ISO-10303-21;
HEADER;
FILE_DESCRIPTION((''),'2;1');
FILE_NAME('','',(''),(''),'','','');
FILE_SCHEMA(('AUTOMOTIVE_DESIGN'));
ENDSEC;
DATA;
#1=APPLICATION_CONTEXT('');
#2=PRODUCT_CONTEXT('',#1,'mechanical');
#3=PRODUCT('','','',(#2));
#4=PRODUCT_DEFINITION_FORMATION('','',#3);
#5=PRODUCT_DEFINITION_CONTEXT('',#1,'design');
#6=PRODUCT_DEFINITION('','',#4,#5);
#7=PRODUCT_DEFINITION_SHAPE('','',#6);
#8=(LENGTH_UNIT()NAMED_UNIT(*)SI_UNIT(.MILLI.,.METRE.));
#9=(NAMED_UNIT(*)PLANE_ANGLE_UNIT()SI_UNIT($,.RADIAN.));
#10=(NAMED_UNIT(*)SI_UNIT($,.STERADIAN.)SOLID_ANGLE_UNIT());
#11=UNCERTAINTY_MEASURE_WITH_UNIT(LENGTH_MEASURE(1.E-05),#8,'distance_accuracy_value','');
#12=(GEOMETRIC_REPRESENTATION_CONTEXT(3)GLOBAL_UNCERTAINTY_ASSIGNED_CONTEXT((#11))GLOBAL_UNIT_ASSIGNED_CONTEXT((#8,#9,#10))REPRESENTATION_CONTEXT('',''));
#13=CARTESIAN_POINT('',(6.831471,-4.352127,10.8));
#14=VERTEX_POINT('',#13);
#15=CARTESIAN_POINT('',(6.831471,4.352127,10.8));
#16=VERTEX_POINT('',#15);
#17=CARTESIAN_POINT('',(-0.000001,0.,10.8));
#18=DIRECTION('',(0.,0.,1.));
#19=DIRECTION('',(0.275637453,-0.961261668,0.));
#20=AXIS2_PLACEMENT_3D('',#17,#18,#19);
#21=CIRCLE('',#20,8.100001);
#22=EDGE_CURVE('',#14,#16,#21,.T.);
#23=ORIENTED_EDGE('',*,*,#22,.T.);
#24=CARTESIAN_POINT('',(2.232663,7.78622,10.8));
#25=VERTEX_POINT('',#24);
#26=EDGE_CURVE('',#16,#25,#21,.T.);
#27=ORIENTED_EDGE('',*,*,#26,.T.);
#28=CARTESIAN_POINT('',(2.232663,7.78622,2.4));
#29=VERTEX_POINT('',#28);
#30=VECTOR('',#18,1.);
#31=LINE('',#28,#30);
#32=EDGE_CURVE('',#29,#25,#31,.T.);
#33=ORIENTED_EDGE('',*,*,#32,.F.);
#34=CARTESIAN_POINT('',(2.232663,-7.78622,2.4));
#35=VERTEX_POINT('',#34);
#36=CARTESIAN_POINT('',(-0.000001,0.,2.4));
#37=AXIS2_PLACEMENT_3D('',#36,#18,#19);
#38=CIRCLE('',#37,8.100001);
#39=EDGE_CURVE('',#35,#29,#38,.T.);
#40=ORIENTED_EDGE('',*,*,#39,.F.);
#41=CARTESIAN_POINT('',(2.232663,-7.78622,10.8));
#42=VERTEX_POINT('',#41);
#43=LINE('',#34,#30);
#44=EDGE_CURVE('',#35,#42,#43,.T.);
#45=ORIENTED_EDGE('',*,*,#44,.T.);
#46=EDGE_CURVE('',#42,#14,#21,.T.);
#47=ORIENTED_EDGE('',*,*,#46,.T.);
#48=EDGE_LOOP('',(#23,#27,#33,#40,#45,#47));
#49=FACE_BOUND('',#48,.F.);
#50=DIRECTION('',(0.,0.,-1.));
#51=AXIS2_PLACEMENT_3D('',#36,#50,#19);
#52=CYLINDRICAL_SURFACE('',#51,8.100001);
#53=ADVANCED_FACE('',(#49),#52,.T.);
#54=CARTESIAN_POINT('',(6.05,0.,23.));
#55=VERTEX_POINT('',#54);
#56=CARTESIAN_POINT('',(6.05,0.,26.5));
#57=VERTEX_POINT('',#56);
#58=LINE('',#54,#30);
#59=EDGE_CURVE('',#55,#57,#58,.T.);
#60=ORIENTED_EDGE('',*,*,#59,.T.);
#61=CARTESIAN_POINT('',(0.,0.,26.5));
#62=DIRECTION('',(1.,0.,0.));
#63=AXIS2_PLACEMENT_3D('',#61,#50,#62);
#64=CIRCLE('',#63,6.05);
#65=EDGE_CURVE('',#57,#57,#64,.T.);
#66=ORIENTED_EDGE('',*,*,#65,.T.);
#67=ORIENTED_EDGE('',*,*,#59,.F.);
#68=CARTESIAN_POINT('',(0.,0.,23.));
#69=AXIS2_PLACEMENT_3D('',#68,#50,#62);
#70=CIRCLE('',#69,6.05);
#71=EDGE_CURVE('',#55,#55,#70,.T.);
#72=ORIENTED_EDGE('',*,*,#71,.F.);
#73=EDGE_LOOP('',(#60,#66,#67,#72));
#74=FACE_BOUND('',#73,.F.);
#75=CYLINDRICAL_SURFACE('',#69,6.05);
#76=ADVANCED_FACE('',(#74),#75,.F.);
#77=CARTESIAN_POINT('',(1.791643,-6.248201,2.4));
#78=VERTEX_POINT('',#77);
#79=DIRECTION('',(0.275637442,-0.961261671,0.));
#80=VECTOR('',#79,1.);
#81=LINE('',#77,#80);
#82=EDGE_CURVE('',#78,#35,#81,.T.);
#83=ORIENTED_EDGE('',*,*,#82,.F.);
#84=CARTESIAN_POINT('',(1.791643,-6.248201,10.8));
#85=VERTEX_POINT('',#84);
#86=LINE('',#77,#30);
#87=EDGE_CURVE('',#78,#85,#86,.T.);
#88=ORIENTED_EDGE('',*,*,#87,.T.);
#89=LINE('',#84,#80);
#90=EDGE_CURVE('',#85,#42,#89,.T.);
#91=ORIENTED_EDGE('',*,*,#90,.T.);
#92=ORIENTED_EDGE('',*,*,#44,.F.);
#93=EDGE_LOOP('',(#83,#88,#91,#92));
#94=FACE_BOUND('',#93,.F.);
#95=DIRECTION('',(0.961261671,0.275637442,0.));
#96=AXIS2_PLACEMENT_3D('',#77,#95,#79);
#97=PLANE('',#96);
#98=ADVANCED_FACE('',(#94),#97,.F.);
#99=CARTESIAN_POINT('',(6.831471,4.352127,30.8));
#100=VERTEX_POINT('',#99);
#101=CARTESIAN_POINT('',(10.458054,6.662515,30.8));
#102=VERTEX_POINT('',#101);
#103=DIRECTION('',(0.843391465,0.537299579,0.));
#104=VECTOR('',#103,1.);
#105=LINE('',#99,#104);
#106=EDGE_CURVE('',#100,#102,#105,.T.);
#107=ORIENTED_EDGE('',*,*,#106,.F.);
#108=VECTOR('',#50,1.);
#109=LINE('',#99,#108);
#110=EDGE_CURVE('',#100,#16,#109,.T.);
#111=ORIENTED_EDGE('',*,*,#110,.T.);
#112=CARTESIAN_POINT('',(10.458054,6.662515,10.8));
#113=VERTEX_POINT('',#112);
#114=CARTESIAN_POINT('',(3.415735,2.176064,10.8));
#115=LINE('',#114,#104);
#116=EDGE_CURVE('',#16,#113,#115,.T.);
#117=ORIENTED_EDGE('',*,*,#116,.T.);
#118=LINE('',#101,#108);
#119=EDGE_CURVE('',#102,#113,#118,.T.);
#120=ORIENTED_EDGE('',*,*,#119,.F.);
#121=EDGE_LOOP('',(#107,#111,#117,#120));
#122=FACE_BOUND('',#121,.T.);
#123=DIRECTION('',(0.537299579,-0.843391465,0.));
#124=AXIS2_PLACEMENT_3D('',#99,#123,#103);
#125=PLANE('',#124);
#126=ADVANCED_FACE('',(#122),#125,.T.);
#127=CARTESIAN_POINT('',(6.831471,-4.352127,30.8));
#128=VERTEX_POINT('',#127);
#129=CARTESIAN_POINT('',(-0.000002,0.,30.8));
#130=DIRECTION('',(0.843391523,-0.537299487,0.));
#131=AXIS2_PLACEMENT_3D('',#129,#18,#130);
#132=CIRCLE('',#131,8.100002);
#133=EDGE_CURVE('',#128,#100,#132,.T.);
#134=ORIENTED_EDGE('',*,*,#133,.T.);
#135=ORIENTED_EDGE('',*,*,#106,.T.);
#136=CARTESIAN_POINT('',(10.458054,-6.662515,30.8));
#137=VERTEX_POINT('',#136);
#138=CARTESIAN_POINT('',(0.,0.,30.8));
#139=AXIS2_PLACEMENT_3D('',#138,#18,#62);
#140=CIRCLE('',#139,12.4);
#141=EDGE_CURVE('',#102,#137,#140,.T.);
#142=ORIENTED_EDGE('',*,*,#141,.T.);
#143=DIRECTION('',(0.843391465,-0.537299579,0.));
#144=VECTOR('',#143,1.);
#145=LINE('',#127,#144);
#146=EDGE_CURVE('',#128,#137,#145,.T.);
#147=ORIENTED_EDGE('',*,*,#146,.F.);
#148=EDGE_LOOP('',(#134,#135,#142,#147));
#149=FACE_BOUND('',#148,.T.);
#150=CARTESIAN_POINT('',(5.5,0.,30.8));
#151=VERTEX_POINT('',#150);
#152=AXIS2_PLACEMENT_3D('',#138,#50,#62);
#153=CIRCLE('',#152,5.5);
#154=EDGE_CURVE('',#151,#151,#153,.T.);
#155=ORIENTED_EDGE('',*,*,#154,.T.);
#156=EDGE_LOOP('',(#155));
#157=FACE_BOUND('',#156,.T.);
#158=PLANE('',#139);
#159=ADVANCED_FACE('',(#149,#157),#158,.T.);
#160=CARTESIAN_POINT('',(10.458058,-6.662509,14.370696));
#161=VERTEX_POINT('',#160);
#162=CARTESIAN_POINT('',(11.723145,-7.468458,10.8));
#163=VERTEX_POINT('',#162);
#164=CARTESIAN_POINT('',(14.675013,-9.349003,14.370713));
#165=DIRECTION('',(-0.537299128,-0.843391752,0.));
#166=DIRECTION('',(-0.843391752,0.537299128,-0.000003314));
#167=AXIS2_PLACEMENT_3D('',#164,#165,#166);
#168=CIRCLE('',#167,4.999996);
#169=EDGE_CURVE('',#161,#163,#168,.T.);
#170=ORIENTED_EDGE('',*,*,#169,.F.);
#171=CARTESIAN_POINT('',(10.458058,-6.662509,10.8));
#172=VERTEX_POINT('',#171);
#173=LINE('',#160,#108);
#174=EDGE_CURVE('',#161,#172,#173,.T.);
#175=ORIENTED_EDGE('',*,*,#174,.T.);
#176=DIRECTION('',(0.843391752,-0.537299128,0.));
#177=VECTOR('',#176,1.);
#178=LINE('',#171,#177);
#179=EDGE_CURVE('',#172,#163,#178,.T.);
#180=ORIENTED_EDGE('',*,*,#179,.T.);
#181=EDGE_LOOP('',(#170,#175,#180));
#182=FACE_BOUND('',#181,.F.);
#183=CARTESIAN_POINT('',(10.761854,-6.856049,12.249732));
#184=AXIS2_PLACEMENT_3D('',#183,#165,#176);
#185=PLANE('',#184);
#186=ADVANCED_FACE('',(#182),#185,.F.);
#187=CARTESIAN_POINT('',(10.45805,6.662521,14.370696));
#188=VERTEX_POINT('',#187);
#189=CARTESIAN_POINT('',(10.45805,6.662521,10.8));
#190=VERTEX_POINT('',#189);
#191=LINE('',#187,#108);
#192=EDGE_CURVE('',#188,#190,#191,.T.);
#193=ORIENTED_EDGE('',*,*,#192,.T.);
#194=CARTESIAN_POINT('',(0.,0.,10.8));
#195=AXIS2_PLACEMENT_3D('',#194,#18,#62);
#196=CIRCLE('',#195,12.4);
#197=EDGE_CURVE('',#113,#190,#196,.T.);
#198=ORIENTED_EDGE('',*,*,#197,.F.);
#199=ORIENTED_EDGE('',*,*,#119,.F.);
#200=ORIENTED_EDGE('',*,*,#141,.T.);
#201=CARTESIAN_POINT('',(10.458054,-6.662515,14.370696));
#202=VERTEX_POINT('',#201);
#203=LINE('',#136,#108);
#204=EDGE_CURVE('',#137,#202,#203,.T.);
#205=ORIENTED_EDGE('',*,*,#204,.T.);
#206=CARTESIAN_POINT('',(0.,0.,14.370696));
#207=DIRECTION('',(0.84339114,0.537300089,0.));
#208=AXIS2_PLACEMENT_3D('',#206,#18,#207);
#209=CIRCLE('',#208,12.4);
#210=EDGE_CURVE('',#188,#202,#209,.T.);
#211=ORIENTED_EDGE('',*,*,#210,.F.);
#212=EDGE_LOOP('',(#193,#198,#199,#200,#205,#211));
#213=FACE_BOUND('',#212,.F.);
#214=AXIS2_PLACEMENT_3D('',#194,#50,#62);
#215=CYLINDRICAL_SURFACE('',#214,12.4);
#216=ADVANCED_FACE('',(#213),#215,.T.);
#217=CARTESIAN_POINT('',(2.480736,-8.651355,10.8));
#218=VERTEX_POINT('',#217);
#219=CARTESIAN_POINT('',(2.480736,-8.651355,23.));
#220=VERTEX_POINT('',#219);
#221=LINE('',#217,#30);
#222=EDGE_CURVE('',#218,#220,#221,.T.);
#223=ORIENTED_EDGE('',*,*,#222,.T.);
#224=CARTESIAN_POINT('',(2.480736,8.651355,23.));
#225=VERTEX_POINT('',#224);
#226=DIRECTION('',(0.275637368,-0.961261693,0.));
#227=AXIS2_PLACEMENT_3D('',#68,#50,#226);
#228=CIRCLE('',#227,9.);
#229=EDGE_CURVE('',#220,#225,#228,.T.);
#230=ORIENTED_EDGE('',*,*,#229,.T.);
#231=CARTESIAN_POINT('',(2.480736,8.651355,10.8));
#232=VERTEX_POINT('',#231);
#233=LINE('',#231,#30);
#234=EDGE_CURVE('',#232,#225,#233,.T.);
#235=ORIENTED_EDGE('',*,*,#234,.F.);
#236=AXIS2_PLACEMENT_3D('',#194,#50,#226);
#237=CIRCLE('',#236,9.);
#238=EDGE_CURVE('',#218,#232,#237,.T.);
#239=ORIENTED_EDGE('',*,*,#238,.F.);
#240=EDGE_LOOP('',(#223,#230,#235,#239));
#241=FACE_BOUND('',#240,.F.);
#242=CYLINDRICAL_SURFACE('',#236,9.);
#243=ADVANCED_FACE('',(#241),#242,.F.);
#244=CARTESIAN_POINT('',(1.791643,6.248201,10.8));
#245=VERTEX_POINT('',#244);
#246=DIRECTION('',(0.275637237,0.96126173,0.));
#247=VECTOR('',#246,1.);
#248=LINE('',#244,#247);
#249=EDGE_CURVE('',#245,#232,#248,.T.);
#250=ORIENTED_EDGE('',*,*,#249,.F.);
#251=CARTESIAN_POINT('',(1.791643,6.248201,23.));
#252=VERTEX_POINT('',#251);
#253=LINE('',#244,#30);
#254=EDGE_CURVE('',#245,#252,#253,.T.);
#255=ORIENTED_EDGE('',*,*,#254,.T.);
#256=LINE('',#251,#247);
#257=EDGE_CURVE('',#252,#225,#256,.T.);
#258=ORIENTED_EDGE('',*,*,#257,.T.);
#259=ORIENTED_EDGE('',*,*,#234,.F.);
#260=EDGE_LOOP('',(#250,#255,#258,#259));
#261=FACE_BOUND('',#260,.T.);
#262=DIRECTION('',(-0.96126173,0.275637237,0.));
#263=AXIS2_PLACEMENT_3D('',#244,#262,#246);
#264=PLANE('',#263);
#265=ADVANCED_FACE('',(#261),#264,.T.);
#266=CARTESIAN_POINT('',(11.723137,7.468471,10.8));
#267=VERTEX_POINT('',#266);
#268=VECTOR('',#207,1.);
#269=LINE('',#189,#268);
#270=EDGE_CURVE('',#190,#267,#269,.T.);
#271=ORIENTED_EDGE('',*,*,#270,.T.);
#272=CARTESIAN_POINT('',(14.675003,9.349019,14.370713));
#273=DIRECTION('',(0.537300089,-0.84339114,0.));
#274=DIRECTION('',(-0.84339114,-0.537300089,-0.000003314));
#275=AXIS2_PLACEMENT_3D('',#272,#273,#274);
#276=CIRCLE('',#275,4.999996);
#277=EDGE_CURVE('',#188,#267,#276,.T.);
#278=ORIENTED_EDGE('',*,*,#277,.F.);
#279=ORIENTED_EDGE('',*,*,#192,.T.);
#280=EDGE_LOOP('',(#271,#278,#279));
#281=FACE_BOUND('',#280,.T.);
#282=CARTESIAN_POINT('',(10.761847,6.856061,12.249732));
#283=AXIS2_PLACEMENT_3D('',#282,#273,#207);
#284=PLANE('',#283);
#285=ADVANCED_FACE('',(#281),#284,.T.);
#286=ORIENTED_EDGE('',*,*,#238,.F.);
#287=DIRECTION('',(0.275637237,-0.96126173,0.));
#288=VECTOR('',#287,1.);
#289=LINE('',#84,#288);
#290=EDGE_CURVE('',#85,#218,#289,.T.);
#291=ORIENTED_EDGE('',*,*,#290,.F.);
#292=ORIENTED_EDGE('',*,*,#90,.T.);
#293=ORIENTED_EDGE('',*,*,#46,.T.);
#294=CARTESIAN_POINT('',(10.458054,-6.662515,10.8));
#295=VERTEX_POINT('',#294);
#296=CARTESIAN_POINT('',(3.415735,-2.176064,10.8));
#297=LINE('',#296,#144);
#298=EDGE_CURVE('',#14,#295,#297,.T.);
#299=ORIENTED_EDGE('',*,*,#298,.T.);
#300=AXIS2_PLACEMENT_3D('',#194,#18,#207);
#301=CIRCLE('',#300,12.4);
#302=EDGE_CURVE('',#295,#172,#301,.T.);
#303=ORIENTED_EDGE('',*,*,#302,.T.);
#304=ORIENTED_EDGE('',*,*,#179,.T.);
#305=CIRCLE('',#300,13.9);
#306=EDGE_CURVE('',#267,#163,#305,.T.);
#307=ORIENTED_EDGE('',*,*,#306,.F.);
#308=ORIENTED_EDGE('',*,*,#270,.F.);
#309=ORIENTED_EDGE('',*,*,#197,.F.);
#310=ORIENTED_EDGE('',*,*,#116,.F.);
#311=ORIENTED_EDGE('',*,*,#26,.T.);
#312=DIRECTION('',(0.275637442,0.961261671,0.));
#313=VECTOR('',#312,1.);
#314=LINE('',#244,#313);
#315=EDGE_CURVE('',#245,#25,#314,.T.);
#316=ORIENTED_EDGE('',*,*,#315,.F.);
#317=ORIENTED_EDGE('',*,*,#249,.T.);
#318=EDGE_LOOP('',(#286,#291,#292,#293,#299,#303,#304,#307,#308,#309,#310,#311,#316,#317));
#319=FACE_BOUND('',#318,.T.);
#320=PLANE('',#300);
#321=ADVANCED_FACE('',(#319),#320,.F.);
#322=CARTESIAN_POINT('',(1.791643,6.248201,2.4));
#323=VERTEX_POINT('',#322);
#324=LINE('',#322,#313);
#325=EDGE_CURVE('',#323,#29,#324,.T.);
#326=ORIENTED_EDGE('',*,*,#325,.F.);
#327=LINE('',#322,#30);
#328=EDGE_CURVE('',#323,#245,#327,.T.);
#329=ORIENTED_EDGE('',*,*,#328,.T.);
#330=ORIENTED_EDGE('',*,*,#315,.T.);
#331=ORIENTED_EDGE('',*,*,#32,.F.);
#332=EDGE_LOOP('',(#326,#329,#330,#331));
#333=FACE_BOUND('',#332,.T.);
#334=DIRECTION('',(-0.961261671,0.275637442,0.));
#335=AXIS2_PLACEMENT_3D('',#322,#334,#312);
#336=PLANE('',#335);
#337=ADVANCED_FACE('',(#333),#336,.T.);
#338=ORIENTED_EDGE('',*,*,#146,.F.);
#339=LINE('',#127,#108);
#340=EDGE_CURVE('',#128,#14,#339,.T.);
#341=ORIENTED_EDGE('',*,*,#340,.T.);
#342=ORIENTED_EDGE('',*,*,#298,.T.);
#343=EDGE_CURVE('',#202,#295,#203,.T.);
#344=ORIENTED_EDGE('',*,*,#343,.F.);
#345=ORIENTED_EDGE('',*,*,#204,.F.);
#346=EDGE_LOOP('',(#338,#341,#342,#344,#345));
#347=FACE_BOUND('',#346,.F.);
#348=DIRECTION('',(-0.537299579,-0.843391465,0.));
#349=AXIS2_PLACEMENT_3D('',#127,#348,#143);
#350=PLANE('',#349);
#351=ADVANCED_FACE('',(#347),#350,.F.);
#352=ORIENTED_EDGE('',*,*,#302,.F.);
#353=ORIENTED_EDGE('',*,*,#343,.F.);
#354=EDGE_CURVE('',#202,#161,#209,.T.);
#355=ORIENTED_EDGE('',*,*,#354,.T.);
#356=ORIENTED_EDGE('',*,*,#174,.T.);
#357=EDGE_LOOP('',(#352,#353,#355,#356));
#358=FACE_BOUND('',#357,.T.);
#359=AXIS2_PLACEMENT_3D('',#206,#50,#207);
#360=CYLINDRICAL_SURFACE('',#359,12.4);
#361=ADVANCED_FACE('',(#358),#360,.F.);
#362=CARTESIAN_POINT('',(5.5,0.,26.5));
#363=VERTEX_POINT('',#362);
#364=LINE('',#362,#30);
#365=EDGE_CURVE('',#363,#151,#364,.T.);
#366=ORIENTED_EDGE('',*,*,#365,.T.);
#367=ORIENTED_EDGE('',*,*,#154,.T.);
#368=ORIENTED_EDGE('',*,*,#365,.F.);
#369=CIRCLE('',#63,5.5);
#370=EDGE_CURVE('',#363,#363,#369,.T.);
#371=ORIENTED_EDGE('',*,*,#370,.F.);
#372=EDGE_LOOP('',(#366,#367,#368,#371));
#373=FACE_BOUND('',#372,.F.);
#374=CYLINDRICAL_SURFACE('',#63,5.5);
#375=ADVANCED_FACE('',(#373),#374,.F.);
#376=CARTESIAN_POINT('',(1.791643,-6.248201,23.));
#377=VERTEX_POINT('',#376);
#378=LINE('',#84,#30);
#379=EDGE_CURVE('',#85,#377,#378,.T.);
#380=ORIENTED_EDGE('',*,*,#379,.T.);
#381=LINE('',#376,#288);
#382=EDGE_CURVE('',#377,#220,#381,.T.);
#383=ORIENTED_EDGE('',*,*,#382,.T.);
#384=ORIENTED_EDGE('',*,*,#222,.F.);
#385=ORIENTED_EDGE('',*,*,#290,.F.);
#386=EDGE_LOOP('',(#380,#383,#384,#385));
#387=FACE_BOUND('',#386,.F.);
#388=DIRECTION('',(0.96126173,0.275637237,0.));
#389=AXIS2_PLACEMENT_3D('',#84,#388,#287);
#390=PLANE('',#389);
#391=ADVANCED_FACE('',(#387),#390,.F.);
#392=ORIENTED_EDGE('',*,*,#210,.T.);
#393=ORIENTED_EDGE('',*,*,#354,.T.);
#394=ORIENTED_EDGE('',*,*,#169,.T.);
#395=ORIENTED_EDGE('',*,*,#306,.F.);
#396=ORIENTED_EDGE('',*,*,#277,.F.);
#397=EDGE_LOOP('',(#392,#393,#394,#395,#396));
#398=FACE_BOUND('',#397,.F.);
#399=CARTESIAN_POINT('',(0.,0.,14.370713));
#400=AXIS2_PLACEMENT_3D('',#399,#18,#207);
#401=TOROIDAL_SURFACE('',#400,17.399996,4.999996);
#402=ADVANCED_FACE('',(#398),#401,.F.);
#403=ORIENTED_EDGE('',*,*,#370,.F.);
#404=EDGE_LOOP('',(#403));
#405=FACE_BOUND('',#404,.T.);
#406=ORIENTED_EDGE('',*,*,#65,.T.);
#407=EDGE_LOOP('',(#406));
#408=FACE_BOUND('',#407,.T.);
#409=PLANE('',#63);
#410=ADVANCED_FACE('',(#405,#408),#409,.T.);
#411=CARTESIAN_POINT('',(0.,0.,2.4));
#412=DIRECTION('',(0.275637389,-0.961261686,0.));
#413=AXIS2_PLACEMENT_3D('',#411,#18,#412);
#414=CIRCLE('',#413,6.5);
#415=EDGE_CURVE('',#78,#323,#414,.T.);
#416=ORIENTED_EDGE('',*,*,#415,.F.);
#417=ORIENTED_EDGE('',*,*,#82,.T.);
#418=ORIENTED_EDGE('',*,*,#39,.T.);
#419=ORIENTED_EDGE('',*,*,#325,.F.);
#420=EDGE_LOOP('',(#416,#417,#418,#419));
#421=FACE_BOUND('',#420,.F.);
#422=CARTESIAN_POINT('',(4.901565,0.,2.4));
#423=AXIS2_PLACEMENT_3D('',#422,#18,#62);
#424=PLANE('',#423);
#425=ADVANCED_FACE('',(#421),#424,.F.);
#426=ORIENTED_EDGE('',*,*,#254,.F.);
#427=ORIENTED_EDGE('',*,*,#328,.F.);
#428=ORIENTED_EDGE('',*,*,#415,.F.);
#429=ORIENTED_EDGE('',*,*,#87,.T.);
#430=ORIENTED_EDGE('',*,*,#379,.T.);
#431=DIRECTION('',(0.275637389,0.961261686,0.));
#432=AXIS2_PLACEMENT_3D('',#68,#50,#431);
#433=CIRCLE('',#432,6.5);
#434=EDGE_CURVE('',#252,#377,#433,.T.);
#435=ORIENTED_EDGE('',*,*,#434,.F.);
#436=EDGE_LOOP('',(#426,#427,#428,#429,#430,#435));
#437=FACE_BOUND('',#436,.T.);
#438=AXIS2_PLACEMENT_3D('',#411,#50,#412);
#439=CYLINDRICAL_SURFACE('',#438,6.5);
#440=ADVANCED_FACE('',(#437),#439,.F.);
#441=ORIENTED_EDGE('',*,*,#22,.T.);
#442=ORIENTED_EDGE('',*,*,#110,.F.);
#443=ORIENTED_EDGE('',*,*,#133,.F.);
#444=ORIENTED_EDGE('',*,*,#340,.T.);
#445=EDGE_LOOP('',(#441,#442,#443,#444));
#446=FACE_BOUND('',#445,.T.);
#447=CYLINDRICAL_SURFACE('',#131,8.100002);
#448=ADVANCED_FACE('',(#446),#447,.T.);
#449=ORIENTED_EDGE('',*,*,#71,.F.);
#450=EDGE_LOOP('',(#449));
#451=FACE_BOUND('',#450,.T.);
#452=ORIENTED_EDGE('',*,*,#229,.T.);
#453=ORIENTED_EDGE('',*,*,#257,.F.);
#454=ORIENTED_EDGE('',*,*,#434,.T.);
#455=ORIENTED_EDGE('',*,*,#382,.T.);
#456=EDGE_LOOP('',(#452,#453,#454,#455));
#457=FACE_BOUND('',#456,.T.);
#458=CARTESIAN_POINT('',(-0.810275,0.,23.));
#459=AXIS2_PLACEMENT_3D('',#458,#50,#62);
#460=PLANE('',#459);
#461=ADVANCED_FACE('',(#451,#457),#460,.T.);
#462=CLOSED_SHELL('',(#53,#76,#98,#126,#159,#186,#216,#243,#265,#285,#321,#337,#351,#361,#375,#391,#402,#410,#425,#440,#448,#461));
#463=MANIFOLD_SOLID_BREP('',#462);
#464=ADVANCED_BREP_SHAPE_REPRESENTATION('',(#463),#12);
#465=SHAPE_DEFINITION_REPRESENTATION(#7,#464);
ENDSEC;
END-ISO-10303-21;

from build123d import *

# Parameters (mm, degrees)
SKETCH050_R      = 12.4
PAD022_DEPTH     = 20
PAD027_DEPTH     = 8.4
POCKET009_DEPTH  = 12.2
SKETCH057_R      = 6.05
POCKET010_DEPTH  = 3.5
SKETCH058_R      = 5.5
POCKET011_DEPTH  = 4.301
POCKET012_DEPTH  = 28.401
REVOLUTION_ANGLE = 295


with BuildPart() as part:
    # Sketch050 → Pad022 (new body)
    with BuildSketch(Plane.XY.offset(8.4)):
        Circle(SKETCH050_R)
    extrude(amount=PAD022_DEPTH)

    # Sketch049 → Pad027 (join)
    with BuildSketch(Plane.XY):
        with BuildLine():
            ThreePointArc((2.232663, -7.78622), (8.1, 0), (2.232663, 7.78622))
            Line((1.791643, 6.248201), (2.232663, 7.78622))
            ThreePointArc((1.791643, -6.248201), (6.5, 0), (1.791643, 6.248201))
            Line((1.791643, -6.248201), (2.232663, -7.78622))
        make_face()
    extrude(amount=PAD027_DEPTH)

    # Sketch056 → Pocket009 (cut)
    with BuildSketch(Plane(origin=(0, 0, 8.4), x_dir=(1, 0, 0), z_dir=(0, 0, -1))):
        with BuildLine():
            ThreePointArc((2.480736, 8.651355), (-9, 0), (2.480736, -8.651355))
            Line((1.791643, -6.248201), (2.480736, -8.651355))
            ThreePointArc((1.791643, -6.248201), (6.5, 0), (1.791643, 6.248201))
            Line((1.791643, 6.248201), (2.480736, 8.651355))
        make_face()
    extrude(amount=-POCKET009_DEPTH, mode=Mode.SUBTRACT)

    # Sketch057 (on Face10 of Pocket009) → Pocket010 (cut)
    with BuildSketch(Plane(origin=(0, 0, 20.6), x_dir=(1, 0, 0), z_dir=(0, 0, -1))):
        Circle(SKETCH057_R)
    extrude(amount=-POCKET010_DEPTH, mode=Mode.SUBTRACT)

    # Sketch058 → Pocket011 (cut, through all)
    with BuildSketch(Plane(origin=(0, 0, 24.1), x_dir=(1, 0, 0), z_dir=(0, 0, -1))):
        Circle(SKETCH058_R)
    extrude(amount=-POCKET011_DEPTH, mode=Mode.SUBTRACT)

    # Sketch055 (on Face3 of Pocket011) → Pocket012 (cut, through all)
    with BuildSketch(Plane.XY.offset(28.4)):
        with BuildLine():
            ThreePointArc((10.458054, -6.662515), (12.4, 0), (10.458054, 6.662515))
            Line((6.831471, 4.352127), (10.458054, 6.662515))
            ThreePointArc((6.831471, -4.352127), (8.1, 0), (6.831471, 4.352127))
            Line((6.831471, -4.352127), (10.458054, -6.662515))
        make_face()
    extrude(amount=-POCKET012_DEPTH, mode=Mode.SUBTRACT)

    # Sketch059 (on Face5 of Pocket012) → Revolution (revolve)
    with BuildSketch(Plane(origin=(0, 0, 8.4), x_dir=(0.843391, 0.5373, 0), z_dir=(0.5373, -0.843391, 0))):
        with BuildLine():
            Line((12.4, 0), (13.9, 0))
            ThreePointArc((12.4, 3.570696), (12.790231, 1.634214), (13.9, 0))
            Line((12.4, 3.570696), (12.4, 0))
        make_face()
    revolve(axis=Axis((0, 0, 8.4), (0, 0, 1)), revolution_arc=REVOLUTION_ANGLE)


with BuildPart() as part_1:
    # Body006 placement: moved
    add(part.part.moved(Location((0, 0, 2.4))))


solid = part_1.part
